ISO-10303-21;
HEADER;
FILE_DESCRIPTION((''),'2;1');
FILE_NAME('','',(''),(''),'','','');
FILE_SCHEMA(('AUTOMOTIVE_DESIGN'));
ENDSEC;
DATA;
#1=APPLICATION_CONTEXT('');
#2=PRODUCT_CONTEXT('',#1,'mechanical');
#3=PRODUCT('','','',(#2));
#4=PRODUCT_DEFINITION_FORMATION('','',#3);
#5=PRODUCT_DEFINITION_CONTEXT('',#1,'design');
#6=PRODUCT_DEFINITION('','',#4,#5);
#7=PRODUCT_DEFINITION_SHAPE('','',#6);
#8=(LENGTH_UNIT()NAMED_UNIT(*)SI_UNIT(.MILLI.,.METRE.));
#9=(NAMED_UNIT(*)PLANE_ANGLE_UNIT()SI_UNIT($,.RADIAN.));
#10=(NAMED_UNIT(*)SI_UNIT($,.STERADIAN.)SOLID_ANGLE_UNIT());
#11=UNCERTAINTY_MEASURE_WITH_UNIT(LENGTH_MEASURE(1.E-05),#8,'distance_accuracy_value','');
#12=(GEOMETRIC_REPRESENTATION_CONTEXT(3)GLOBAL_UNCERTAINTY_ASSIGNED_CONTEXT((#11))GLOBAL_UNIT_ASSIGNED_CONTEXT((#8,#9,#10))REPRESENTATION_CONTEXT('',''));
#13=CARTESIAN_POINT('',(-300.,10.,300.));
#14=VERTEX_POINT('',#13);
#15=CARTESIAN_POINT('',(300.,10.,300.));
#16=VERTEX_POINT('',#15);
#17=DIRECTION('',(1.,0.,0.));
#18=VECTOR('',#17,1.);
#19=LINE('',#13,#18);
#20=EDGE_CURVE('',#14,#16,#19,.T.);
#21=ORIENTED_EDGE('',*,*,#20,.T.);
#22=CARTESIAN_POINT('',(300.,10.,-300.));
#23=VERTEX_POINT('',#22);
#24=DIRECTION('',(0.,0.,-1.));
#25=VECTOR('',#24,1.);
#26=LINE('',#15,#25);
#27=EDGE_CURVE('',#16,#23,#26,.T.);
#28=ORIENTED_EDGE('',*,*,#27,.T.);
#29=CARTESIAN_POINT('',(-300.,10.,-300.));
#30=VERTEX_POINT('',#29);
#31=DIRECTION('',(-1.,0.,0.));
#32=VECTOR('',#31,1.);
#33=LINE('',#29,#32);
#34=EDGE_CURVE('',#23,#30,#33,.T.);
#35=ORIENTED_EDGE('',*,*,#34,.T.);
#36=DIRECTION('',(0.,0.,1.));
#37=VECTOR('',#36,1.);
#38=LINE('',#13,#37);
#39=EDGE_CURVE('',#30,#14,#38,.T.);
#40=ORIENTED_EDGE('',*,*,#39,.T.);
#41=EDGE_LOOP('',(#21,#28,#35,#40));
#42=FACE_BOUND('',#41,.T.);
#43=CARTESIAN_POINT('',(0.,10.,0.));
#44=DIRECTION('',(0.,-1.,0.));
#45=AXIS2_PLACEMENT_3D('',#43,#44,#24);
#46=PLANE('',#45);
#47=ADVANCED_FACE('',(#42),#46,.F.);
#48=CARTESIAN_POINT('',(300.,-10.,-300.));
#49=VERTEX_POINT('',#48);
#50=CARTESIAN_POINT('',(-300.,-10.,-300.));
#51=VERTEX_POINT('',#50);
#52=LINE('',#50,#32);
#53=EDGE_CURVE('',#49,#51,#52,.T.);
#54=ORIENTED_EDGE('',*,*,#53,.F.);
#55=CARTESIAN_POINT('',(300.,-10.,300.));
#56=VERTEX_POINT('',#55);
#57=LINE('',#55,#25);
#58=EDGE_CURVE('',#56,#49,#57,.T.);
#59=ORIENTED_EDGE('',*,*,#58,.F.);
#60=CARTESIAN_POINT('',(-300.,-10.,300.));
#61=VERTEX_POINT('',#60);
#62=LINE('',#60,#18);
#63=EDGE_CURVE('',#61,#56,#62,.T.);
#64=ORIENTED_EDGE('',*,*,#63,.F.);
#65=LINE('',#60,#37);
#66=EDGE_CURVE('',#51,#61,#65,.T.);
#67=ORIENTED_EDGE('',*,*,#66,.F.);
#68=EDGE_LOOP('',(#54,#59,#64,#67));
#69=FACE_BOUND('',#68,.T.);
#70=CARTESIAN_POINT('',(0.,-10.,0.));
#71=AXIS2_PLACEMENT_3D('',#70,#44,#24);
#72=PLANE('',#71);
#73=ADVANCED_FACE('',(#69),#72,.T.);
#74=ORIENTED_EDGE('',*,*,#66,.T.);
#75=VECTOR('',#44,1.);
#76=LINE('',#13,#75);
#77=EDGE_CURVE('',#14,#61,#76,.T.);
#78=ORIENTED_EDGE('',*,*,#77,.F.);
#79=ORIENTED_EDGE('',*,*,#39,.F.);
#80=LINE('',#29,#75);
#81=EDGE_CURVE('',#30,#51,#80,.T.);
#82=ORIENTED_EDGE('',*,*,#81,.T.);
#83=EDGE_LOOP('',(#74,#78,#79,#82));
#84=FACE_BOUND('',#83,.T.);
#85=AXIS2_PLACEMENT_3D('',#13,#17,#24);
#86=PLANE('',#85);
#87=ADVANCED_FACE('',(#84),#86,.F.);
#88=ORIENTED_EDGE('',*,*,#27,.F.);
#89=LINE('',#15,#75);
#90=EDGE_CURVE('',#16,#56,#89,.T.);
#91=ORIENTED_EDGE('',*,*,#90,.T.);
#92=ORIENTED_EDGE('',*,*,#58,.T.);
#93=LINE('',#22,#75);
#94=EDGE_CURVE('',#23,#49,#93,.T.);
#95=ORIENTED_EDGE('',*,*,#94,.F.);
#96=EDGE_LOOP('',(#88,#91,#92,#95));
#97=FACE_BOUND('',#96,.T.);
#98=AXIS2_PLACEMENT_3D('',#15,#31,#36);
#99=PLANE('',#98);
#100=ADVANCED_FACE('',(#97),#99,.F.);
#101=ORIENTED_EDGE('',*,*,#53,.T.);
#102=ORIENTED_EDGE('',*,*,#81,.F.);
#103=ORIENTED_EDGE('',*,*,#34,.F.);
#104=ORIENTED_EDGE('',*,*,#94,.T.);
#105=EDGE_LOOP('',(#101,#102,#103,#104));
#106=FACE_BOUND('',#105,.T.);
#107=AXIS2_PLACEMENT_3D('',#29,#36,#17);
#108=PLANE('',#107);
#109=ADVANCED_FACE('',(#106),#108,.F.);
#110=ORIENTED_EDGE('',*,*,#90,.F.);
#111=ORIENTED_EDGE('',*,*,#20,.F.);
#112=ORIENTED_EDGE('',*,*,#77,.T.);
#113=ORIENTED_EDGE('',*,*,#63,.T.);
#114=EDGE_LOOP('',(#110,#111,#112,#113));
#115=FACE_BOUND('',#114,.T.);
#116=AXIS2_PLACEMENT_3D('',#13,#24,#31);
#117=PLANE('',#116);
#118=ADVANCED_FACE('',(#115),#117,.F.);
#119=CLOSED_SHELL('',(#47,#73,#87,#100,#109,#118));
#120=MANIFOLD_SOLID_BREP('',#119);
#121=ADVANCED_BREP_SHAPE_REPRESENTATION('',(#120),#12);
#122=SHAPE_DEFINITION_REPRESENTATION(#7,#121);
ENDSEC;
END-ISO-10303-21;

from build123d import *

# Parameters (mm, degrees)
SKETCH1_W           = 600
SKETCH1_H           = 600
BOSS_EXTRUDE1_DEPTH = 10


with BuildPart() as part:
    # Sketch1 → Boss-Extrude1 (new body, symmetric)
    with BuildSketch(Plane(origin=(0, 0, 0), x_dir=(1, 0, 0), z_dir=(0, 1, 0))):
        Rectangle(SKETCH1_W, SKETCH1_H)
    extrude(amount=BOSS_EXTRUDE1_DEPTH, both=True)


solid = part.part
